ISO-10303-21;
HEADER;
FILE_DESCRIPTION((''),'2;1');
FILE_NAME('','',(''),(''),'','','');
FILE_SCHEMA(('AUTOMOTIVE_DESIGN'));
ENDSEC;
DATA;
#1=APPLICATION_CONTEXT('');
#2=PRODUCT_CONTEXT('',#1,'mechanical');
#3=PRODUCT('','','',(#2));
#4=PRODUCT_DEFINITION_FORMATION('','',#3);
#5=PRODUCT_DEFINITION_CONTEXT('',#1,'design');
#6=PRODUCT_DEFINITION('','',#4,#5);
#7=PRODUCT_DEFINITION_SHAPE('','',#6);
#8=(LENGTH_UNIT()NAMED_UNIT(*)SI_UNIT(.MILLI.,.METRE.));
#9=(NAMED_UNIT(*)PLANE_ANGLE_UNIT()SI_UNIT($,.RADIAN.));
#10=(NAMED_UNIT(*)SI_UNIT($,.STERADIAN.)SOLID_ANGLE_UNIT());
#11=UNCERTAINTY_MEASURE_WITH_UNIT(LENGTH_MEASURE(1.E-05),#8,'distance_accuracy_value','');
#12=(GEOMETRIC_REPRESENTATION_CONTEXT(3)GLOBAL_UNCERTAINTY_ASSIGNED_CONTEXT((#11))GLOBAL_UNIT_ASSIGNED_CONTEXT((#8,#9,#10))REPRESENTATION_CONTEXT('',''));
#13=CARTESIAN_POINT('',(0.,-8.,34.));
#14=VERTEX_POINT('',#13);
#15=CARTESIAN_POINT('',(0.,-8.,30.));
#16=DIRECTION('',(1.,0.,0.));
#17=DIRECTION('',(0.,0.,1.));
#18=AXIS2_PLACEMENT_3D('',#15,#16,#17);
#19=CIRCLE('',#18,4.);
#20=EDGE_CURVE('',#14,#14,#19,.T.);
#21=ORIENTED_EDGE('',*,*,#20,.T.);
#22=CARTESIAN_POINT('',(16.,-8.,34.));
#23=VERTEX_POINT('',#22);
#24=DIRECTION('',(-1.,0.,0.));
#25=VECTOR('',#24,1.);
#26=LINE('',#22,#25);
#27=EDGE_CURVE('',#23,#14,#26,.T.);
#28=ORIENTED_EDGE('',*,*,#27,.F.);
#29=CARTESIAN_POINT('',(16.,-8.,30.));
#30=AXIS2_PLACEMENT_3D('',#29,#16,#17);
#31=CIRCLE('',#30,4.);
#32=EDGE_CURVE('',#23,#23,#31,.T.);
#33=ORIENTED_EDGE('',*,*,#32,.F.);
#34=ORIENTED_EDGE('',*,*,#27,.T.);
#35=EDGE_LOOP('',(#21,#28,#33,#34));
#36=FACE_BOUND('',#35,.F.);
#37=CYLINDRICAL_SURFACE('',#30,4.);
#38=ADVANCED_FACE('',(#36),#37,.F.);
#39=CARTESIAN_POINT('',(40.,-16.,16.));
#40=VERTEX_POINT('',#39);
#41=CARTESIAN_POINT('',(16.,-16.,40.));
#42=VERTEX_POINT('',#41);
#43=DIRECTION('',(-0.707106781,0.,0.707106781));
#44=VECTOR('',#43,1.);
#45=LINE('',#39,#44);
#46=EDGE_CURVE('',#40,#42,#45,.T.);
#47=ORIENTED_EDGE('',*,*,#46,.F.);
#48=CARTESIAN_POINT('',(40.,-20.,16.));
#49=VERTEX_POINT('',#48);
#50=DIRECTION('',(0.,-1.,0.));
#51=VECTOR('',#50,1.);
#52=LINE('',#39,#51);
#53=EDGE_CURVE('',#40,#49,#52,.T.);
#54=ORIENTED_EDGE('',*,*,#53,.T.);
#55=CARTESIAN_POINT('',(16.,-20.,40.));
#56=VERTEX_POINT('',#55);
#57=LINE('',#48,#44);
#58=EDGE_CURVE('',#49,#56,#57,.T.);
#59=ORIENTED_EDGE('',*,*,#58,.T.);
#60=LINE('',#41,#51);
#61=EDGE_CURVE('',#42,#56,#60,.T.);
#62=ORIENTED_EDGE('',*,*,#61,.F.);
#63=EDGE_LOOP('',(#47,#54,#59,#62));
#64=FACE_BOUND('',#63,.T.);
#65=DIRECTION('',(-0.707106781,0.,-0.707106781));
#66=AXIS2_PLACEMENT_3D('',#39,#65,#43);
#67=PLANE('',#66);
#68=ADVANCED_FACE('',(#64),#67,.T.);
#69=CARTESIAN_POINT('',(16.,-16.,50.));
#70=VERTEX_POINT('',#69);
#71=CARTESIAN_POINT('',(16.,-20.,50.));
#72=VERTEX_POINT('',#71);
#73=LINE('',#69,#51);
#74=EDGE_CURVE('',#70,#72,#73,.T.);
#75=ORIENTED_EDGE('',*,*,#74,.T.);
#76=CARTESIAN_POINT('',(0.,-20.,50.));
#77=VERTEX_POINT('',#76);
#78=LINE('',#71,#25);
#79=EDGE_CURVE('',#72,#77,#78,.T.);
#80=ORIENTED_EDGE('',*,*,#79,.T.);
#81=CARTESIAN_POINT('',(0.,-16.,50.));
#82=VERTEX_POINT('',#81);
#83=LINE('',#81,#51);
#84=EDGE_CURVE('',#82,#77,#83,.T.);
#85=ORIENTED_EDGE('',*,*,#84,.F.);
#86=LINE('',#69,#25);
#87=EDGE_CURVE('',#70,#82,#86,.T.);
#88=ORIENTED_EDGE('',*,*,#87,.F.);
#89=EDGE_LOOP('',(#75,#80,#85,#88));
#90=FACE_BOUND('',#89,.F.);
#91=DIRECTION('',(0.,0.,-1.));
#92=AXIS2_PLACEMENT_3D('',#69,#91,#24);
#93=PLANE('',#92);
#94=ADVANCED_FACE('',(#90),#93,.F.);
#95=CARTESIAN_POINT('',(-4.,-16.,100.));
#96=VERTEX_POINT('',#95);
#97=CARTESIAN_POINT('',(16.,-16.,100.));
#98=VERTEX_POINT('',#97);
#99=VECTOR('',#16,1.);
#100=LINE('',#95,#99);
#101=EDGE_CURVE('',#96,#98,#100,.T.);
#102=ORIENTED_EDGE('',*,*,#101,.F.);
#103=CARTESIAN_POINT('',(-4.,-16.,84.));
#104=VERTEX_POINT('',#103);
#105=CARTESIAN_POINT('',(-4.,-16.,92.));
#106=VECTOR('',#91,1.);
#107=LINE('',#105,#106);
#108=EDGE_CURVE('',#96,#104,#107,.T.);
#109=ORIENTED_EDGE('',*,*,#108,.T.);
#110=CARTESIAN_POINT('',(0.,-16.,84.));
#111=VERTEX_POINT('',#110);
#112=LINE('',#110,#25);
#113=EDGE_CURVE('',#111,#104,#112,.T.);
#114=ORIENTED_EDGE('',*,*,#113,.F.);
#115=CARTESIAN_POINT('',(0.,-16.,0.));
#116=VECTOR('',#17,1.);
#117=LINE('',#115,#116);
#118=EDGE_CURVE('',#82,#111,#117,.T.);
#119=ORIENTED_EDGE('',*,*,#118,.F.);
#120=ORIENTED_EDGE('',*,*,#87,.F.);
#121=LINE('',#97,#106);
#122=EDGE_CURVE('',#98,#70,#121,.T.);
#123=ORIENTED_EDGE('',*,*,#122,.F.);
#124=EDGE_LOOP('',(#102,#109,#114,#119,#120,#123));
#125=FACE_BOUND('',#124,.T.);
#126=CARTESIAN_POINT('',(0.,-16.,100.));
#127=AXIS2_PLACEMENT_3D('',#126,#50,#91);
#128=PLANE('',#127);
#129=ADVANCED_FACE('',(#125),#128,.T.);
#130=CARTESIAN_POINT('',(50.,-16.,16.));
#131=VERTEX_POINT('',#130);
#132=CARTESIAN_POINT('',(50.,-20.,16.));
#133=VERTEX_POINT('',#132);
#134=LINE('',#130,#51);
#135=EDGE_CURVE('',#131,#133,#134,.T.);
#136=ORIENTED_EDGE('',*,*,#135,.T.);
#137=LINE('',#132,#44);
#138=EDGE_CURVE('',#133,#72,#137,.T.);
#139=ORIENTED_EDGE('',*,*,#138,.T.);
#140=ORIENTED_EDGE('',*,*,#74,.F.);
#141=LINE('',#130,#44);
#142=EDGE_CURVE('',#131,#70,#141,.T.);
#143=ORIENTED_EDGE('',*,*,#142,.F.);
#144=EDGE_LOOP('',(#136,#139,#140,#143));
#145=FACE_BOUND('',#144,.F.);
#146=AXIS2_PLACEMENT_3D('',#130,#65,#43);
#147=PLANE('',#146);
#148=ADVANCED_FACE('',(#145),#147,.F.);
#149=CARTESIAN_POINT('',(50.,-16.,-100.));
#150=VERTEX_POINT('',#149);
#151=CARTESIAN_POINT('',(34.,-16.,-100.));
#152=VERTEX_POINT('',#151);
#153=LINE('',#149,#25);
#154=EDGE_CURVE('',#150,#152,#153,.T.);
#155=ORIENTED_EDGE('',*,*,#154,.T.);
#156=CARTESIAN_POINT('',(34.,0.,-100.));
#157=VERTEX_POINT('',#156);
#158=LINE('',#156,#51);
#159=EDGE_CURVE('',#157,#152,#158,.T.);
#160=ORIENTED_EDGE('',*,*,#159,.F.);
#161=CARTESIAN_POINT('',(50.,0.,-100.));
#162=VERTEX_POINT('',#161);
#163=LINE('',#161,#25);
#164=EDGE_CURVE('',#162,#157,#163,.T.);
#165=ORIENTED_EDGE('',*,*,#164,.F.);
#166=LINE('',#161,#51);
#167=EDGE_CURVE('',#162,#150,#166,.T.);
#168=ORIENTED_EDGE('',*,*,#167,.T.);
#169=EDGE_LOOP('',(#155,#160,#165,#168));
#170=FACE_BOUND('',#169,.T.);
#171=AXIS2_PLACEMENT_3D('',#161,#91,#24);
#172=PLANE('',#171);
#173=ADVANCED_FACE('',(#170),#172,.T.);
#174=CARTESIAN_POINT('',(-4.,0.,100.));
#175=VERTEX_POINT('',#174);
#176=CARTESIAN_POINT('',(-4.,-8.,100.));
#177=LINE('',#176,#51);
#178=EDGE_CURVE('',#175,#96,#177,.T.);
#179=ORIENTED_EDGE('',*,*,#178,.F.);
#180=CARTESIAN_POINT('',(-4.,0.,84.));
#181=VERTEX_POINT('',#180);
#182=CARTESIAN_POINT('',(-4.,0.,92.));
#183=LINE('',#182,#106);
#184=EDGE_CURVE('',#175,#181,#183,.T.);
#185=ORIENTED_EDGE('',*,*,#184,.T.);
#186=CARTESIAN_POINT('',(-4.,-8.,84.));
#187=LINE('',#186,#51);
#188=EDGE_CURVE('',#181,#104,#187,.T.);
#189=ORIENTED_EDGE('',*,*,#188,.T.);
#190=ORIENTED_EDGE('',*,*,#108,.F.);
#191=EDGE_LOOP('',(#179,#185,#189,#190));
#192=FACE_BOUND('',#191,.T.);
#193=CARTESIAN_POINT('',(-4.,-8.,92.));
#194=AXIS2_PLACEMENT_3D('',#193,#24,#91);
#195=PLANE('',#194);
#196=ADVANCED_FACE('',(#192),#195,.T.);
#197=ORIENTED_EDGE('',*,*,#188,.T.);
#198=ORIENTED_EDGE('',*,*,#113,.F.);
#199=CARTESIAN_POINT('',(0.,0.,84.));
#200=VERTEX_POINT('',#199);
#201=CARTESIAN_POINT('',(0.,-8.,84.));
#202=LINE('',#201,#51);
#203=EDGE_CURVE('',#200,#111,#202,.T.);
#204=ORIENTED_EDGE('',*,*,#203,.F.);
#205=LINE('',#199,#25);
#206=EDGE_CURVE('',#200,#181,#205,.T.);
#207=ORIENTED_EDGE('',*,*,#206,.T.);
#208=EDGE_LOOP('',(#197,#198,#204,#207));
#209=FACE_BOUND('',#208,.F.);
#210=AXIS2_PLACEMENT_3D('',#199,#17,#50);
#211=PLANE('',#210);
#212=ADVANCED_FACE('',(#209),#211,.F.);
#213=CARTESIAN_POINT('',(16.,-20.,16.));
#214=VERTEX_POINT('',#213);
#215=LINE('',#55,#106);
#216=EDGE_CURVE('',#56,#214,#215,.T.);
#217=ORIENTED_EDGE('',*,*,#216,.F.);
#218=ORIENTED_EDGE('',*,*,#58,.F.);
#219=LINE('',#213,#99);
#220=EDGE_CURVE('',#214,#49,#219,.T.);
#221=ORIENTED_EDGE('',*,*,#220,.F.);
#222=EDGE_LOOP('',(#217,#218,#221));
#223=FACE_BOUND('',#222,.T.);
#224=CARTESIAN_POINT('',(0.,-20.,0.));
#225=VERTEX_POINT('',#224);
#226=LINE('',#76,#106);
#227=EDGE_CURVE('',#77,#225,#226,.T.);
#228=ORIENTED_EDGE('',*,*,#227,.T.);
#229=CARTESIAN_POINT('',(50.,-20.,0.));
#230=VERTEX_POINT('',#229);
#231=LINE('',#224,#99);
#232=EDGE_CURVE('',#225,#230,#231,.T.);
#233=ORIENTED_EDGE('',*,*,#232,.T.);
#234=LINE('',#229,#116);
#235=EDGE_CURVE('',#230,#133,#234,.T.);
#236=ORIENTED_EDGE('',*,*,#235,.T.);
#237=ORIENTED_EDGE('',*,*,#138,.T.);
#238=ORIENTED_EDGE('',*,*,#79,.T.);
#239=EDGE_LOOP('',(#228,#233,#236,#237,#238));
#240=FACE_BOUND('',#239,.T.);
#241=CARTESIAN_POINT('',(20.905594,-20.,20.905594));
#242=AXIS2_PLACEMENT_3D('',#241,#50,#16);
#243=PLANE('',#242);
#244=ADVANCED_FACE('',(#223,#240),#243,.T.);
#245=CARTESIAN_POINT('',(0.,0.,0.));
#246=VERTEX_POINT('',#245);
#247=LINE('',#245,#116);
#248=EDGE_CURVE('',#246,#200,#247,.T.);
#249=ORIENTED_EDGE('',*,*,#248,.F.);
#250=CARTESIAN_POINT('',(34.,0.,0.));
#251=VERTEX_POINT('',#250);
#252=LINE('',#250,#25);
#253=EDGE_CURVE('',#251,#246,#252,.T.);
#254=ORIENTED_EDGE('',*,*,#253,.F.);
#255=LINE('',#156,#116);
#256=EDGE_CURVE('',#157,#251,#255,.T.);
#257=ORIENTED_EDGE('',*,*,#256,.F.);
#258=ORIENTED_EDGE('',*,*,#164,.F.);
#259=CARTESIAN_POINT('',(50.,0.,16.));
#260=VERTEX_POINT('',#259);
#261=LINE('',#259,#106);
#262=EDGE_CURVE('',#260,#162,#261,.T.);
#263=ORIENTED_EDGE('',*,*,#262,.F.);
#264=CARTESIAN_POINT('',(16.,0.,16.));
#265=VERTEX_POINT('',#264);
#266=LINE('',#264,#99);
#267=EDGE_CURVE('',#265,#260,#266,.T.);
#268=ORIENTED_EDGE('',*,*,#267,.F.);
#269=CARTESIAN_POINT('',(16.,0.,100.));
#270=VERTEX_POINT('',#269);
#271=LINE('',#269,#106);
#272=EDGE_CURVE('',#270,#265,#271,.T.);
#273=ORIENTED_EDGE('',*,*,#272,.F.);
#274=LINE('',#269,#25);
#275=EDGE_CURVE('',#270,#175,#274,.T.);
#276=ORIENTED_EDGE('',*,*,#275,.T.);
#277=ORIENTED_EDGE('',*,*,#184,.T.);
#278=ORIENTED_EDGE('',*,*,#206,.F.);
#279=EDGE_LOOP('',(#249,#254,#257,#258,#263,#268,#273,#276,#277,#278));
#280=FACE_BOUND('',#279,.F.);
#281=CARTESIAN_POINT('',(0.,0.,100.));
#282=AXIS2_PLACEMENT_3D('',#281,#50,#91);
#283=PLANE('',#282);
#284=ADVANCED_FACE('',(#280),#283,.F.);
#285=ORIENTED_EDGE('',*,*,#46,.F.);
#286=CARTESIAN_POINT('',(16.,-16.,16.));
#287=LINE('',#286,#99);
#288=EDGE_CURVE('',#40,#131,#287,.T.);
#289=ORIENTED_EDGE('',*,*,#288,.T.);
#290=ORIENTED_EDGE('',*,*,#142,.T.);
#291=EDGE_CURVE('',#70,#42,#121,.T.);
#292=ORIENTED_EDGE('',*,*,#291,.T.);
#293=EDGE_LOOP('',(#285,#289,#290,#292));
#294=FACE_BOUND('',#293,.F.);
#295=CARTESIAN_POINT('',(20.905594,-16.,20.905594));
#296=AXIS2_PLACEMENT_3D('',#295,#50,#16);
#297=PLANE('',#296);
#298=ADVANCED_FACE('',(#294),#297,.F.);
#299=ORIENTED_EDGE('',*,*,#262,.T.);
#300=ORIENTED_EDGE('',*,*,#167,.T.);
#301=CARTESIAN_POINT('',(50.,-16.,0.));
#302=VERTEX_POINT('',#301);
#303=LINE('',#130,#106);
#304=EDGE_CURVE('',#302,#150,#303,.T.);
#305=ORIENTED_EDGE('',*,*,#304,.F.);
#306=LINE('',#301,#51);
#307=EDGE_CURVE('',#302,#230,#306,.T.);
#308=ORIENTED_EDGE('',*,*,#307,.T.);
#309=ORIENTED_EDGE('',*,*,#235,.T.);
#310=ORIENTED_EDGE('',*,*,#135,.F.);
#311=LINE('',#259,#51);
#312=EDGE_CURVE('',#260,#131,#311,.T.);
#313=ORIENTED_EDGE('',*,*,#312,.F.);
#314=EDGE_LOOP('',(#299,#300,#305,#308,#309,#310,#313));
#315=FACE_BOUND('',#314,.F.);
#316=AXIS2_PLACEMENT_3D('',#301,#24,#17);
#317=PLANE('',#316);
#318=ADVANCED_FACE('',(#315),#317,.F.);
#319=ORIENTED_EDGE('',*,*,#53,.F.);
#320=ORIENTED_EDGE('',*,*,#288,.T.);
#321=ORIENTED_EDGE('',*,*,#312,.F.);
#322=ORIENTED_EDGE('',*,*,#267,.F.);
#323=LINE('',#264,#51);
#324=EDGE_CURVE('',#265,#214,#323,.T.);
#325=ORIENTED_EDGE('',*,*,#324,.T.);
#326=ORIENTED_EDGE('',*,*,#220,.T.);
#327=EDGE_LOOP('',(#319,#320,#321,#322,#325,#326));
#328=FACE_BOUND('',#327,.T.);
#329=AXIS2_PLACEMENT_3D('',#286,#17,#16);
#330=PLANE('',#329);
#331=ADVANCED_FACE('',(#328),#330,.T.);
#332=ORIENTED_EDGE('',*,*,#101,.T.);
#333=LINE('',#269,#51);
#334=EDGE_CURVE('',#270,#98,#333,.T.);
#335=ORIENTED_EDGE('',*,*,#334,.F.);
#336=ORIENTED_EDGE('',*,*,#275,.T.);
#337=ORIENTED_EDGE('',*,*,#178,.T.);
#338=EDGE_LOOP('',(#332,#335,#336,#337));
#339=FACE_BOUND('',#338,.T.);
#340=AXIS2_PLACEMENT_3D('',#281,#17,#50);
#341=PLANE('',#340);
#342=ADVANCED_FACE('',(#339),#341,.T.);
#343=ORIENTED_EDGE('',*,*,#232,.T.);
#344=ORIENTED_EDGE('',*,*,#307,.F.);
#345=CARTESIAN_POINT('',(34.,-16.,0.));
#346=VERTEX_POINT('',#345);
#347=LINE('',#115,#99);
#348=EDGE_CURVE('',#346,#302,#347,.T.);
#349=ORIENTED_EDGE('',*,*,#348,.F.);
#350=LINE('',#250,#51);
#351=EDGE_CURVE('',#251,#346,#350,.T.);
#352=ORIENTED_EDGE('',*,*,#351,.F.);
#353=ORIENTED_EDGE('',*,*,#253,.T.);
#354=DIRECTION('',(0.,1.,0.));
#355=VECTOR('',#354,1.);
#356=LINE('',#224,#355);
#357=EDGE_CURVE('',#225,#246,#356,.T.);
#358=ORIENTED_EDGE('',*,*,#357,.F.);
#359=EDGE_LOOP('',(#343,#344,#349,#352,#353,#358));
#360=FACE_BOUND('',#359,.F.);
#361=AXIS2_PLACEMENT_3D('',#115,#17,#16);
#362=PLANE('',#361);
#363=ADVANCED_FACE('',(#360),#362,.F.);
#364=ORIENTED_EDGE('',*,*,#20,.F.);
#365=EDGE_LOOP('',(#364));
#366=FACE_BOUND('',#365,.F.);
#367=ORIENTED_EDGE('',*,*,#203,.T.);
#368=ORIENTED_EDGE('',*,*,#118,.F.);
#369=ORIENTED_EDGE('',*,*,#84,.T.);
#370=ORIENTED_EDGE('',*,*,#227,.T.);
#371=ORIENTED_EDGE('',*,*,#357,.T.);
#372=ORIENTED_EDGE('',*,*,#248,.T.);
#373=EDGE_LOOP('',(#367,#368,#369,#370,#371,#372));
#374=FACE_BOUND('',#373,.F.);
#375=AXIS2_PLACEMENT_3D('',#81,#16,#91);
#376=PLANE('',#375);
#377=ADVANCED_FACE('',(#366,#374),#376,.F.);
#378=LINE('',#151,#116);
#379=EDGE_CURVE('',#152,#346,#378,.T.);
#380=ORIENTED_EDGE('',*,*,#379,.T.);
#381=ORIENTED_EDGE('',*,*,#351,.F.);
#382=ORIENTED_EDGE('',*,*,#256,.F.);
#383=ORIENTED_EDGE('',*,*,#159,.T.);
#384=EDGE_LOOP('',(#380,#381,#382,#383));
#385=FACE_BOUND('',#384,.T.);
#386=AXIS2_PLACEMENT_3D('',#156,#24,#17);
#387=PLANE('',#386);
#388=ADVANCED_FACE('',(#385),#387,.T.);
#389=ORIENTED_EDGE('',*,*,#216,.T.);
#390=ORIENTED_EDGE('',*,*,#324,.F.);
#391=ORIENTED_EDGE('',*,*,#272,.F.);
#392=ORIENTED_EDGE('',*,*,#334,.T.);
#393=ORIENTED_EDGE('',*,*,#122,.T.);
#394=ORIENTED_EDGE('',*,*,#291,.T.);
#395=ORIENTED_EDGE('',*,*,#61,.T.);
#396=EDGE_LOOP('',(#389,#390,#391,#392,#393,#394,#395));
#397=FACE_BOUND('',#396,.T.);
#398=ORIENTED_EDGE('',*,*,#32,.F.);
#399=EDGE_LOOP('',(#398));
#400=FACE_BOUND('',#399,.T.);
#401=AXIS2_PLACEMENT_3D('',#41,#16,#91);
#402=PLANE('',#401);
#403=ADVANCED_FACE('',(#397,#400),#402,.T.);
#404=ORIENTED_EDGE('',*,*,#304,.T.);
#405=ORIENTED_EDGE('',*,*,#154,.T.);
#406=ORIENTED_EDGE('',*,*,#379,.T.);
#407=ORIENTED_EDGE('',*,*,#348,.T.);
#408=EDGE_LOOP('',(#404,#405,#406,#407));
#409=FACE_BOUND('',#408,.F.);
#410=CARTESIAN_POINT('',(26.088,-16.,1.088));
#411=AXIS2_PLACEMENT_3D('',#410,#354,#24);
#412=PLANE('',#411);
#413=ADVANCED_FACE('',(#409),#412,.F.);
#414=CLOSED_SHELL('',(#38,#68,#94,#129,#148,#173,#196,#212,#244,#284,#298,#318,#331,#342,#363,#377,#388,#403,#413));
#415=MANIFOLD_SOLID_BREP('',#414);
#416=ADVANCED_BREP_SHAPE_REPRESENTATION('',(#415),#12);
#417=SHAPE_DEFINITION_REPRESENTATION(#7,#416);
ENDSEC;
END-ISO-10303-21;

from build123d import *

# Parameters (mm, degrees)
PAD_DEPTH    = 16
PAD001_DEPTH = 4
SKETCH002_R  = 4
POCKET_DEPTH = 16.001
SKETCH003_W  = 16
SKETCH003_H  = 16
PAD002_DEPTH = 4


with BuildPart() as part:
    # Sketch → Pad (new body)
    with BuildSketch(Plane.XZ):
        Polygon((0, 0), (0, 100), (16, 100), (16, 16), (50, 16), (50, -100), (34, -100), (34, 0), align=None)
    extrude(amount=PAD_DEPTH)

    # Sketch001 (on Face10 of Pad) → Pad001 (join)
    with BuildSketch(Plane.XZ.offset(16)):
        Polygon((0, 0), (50, 0), (50, 16), (16, 50), (0, 50), align=None)
        Polygon((16, 16), (40, 16), (16, 40), align=None, mode=Mode.SUBTRACT)
    extrude(amount=PAD001_DEPTH)

    # Sketch002 (on Face14 of Pad001) → Pocket (cut, through all)
    with BuildSketch(Plane(origin=(16, 0, 0), x_dir=(0, 0, 1), z_dir=(1, 0, 0))):
        with Locations((30, 8)):
            Circle(SKETCH002_R)
    extrude(amount=-POCKET_DEPTH, mode=Mode.SUBTRACT)

    # Sketch003 (on Face2 of Pocket) → Pad002 (join)
    with BuildSketch(Plane(origin=(0, 0, 0), x_dir=(0, 0, -1), z_dir=(-1, 0, 0))):
        with Locations((-92, 8)):
            Rectangle(SKETCH003_W, SKETCH003_H)
    extrude(amount=PAD002_DEPTH)


solid = part.part
